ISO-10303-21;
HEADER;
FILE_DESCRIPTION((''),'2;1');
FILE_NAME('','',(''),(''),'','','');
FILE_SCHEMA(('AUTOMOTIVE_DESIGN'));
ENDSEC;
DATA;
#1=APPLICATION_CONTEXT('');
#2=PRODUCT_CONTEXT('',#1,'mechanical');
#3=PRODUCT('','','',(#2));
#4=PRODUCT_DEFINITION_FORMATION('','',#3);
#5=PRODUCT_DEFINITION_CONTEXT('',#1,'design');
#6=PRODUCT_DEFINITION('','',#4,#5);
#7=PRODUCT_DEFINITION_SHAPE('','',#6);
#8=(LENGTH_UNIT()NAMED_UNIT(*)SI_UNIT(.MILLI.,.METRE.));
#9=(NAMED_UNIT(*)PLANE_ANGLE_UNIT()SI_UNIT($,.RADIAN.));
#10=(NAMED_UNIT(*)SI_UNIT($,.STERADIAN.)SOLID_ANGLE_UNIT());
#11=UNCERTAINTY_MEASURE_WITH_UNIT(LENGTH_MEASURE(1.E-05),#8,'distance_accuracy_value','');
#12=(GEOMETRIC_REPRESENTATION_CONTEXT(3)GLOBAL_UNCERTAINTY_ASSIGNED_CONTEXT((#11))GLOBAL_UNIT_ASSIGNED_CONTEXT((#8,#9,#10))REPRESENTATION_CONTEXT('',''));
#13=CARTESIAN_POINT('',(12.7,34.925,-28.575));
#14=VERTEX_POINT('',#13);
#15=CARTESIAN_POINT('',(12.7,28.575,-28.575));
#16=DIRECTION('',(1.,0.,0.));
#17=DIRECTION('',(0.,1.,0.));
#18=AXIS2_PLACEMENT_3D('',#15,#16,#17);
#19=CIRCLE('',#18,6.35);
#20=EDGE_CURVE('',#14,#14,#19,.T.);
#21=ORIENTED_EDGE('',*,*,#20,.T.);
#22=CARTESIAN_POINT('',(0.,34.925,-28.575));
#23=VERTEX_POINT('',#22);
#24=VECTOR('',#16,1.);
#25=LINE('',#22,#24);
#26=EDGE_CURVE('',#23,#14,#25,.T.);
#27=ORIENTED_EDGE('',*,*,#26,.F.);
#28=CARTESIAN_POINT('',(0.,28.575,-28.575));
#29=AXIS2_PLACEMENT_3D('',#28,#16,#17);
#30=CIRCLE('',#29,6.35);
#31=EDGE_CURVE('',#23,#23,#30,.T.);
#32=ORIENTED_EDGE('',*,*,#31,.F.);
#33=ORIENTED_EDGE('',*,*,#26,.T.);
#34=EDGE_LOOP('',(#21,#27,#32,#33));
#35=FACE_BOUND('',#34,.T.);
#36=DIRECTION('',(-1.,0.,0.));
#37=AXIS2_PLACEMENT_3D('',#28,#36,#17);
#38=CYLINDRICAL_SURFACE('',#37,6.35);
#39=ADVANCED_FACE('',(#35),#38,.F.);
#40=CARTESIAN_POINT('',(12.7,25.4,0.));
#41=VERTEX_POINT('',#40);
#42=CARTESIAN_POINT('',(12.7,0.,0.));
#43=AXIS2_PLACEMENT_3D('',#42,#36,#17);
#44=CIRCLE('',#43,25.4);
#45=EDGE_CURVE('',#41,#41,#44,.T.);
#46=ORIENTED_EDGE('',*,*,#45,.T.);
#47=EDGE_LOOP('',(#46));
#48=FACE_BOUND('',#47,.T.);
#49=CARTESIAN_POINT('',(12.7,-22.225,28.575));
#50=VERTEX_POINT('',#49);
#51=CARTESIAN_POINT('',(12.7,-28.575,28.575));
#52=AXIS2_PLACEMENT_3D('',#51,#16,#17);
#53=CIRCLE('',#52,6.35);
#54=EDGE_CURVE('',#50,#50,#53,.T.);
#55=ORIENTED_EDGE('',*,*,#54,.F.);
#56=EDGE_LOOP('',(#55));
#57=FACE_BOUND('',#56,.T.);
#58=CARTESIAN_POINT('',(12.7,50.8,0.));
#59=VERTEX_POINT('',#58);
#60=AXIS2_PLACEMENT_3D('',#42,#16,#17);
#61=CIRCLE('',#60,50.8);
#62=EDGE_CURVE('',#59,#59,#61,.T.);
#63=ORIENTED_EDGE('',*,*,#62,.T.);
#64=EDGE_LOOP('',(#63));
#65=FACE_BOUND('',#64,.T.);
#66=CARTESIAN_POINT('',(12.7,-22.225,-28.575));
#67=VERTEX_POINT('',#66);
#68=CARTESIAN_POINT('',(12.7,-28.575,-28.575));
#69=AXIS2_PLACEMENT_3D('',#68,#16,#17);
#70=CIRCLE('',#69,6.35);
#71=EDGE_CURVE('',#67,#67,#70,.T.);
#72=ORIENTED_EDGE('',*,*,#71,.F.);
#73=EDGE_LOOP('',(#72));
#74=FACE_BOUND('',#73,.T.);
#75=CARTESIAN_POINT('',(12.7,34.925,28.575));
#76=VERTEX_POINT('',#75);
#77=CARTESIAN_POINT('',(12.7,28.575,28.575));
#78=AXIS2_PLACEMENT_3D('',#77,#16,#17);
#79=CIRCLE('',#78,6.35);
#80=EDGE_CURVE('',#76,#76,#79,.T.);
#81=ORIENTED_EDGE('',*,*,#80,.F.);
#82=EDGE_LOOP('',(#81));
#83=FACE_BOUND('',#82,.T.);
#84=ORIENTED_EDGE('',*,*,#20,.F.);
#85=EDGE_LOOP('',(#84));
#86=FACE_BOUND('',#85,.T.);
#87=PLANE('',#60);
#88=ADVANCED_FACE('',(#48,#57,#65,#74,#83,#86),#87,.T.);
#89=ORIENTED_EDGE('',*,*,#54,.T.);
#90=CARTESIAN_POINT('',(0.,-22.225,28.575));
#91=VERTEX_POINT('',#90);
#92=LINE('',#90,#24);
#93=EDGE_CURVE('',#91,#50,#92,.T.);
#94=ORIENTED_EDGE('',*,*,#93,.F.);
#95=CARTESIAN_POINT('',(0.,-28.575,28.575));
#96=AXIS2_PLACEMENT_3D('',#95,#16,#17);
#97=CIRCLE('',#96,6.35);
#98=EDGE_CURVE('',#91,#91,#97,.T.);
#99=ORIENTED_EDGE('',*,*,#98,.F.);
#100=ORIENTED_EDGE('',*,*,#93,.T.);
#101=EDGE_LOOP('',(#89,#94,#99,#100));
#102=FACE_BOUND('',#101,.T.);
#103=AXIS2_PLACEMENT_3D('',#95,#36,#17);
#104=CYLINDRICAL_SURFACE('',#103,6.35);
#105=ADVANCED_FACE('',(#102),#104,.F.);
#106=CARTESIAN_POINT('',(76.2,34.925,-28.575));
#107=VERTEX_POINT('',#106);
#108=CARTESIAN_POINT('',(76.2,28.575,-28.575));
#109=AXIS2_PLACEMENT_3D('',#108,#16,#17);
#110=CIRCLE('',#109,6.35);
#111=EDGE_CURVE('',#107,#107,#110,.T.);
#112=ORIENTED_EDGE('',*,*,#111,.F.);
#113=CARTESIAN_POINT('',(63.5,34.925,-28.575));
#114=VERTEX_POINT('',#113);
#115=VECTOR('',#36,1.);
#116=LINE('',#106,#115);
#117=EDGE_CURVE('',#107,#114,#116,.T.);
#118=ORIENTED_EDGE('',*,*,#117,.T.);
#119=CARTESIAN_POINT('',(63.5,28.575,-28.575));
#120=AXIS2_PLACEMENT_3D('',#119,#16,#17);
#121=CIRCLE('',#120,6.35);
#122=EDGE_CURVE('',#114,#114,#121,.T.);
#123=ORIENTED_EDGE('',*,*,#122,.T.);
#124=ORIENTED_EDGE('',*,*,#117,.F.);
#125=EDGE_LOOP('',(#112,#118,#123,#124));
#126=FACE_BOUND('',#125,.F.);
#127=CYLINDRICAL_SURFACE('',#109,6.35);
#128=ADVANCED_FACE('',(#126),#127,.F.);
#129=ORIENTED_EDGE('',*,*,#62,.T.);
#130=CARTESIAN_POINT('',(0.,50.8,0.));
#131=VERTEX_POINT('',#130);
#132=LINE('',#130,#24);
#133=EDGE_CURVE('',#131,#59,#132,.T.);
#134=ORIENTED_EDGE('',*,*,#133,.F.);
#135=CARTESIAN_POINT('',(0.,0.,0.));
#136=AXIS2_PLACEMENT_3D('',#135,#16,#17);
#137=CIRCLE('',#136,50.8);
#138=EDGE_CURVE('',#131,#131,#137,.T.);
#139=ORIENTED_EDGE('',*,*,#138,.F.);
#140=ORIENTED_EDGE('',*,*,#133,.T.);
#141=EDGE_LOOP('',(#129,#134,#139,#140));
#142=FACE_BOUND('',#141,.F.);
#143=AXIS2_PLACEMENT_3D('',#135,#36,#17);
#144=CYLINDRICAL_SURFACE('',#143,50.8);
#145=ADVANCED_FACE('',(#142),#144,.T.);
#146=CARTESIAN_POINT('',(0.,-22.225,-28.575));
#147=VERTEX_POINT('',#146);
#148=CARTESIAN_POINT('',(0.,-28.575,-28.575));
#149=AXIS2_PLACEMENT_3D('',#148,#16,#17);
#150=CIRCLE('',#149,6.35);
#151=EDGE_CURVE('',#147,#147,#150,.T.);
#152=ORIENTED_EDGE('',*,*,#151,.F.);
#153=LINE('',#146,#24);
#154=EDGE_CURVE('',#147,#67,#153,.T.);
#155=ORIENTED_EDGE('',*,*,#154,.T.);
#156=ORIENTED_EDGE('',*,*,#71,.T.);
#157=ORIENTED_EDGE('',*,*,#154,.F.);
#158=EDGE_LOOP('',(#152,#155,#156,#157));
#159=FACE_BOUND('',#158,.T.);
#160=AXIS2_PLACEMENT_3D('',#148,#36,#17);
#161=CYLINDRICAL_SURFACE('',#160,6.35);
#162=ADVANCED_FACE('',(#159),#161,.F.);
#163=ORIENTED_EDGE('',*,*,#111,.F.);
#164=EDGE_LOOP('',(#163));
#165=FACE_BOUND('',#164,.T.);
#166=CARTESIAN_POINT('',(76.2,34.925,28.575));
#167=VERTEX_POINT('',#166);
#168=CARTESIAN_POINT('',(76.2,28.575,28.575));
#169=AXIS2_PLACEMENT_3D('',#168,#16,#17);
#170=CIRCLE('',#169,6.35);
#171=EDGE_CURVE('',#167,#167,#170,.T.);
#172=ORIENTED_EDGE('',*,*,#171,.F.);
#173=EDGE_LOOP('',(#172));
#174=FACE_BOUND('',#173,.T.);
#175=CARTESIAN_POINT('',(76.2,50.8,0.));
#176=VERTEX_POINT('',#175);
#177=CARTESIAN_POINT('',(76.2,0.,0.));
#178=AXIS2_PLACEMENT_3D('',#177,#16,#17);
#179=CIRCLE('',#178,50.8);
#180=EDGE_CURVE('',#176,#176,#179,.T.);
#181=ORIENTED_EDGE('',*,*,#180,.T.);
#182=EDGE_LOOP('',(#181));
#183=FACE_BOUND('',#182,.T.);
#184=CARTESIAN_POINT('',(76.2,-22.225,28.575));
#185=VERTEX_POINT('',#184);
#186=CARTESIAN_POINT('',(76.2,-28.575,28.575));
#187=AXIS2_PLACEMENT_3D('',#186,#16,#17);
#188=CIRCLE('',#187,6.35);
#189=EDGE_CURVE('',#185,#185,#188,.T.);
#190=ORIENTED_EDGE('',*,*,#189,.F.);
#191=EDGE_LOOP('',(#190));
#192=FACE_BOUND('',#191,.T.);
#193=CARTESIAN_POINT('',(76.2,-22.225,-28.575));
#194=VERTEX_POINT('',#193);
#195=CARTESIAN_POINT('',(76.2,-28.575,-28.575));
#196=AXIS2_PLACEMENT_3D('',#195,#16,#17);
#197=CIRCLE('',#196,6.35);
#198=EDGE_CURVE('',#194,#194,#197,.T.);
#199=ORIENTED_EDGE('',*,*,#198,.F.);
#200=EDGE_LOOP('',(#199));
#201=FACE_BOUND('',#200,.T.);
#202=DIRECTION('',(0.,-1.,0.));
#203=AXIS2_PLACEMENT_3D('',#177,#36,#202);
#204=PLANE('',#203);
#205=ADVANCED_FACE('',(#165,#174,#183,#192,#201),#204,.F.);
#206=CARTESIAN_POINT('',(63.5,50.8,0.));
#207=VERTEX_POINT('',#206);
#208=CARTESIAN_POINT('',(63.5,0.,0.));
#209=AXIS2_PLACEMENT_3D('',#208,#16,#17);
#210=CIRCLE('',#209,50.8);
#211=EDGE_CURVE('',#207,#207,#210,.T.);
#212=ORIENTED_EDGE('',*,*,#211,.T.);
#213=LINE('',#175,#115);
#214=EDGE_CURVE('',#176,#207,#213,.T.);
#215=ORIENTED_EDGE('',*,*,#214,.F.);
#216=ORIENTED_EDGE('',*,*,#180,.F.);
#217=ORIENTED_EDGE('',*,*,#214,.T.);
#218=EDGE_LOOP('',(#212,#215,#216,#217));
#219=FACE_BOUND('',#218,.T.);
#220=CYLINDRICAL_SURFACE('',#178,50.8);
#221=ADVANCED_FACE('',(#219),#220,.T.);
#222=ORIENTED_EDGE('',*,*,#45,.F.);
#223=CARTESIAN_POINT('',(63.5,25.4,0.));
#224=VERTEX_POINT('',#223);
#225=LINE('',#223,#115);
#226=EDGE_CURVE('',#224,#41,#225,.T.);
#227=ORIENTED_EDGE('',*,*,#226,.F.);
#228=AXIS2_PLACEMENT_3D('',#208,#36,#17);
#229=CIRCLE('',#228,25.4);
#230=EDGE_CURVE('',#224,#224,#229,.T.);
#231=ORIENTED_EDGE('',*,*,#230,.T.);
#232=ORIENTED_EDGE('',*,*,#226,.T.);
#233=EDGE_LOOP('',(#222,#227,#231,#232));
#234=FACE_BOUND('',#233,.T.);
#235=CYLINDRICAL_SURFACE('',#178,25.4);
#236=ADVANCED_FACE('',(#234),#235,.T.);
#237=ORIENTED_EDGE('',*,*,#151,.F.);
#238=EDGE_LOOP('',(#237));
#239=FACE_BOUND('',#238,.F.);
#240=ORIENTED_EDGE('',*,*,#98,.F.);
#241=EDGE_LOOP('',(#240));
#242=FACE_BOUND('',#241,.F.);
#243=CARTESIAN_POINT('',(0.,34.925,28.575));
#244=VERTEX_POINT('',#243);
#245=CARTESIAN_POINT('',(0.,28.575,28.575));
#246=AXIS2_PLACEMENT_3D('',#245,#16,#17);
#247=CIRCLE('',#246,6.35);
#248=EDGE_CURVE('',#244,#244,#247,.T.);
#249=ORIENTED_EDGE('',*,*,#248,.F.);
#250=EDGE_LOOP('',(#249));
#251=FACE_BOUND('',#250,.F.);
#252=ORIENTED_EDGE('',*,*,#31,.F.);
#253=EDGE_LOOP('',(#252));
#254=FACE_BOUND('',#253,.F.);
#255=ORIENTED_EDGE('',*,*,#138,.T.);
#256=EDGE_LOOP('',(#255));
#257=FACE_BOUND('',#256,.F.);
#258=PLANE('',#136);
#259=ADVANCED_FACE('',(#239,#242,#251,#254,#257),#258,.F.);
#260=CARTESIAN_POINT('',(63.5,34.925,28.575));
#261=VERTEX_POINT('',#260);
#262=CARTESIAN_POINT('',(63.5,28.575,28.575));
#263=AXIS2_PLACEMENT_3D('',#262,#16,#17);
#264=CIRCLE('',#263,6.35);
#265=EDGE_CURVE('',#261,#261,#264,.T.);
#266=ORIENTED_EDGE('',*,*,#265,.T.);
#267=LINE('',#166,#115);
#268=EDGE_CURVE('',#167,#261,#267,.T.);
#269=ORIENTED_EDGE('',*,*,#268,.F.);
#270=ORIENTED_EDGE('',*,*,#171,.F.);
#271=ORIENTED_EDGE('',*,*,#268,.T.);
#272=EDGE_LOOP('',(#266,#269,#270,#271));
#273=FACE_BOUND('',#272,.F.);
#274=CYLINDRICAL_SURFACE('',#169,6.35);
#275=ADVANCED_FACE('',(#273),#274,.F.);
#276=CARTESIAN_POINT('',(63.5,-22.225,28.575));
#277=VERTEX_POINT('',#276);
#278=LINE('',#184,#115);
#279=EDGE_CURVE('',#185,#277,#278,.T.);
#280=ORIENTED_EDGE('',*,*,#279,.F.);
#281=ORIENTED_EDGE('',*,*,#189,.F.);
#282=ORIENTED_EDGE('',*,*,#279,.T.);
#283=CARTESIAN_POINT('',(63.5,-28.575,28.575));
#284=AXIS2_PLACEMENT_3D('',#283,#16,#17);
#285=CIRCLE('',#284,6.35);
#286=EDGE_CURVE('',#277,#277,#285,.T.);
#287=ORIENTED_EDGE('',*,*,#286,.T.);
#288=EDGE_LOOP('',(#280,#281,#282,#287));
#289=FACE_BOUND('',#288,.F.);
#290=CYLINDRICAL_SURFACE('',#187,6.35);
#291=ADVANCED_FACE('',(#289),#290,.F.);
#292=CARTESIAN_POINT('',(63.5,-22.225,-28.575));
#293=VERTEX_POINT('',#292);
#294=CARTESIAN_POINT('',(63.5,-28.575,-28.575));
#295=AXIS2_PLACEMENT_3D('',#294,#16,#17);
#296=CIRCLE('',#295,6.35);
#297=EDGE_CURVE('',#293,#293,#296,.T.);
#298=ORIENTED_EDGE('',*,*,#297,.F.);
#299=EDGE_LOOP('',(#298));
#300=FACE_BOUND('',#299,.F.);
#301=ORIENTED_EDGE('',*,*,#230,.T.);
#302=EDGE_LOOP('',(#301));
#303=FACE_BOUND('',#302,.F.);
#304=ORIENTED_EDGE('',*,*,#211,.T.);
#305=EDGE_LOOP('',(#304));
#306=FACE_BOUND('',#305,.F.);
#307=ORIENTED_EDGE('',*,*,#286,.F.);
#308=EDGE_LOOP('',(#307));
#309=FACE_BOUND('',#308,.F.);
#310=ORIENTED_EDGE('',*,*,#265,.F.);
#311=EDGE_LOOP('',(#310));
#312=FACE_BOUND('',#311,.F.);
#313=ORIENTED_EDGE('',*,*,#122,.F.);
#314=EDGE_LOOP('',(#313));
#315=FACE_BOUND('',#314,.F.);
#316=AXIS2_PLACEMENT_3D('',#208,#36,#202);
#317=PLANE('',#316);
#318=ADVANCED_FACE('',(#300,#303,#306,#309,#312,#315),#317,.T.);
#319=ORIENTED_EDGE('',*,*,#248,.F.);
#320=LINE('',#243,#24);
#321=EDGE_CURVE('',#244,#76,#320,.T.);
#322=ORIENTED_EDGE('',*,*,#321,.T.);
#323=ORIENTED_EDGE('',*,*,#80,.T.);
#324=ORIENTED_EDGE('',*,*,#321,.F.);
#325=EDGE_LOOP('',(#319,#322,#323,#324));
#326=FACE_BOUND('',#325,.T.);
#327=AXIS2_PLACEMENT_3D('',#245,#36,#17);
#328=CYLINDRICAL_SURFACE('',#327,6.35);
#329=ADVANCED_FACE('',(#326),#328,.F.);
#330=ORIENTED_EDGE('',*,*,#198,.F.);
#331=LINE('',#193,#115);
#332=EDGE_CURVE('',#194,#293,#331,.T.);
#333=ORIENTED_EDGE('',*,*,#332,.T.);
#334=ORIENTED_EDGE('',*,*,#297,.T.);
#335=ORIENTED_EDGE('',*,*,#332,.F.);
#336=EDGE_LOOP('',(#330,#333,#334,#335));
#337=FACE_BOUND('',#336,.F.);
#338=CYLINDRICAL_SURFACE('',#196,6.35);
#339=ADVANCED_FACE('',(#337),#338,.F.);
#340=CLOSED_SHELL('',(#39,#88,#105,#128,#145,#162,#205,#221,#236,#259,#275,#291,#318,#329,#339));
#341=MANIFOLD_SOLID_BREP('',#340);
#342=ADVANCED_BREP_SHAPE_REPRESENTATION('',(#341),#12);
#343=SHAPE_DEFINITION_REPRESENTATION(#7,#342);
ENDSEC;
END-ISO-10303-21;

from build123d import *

# Parameters (mm, degrees)
F0_R     = 50.8
F0_R_2   = 6.35
F0_R_3   = 19.05
F1_DEPTH = 12.7
F2_R     = 25.4
F3_DEPTH = 38.1


with BuildPart() as f1:
    # F0 (on Right) → F1 (new body)
    with BuildSketch(Plane.YZ):
        Circle(F0_R)
        with Locations((-28.575, -28.575)):
            Circle(F0_R_2, mode=Mode.SUBTRACT)
        Circle(F0_R_3, mode=Mode.SUBTRACT)
        with Locations((28.575, -28.575)):
            Circle(F0_R_2, mode=Mode.SUBTRACT)
        with Locations((-28.575, 28.575)):
            Circle(F0_R_2, mode=Mode.SUBTRACT)
        with Locations((28.575, 28.575)):
            Circle(F0_R_2, mode=Mode.SUBTRACT)
    extrude(amount=F1_DEPTH)

    # F2 (on Right) → F3 (join)
    with BuildSketch(Plane.YZ):
        Circle(F2_R)
    extrude(amount=F3_DEPTH)

    # F4: F1 across face


with BuildPart() as f1_1:
    add(f1.part)
    add(f1.part.mirror(Plane.YZ.offset(38.1)))


solid = f1_1.part
